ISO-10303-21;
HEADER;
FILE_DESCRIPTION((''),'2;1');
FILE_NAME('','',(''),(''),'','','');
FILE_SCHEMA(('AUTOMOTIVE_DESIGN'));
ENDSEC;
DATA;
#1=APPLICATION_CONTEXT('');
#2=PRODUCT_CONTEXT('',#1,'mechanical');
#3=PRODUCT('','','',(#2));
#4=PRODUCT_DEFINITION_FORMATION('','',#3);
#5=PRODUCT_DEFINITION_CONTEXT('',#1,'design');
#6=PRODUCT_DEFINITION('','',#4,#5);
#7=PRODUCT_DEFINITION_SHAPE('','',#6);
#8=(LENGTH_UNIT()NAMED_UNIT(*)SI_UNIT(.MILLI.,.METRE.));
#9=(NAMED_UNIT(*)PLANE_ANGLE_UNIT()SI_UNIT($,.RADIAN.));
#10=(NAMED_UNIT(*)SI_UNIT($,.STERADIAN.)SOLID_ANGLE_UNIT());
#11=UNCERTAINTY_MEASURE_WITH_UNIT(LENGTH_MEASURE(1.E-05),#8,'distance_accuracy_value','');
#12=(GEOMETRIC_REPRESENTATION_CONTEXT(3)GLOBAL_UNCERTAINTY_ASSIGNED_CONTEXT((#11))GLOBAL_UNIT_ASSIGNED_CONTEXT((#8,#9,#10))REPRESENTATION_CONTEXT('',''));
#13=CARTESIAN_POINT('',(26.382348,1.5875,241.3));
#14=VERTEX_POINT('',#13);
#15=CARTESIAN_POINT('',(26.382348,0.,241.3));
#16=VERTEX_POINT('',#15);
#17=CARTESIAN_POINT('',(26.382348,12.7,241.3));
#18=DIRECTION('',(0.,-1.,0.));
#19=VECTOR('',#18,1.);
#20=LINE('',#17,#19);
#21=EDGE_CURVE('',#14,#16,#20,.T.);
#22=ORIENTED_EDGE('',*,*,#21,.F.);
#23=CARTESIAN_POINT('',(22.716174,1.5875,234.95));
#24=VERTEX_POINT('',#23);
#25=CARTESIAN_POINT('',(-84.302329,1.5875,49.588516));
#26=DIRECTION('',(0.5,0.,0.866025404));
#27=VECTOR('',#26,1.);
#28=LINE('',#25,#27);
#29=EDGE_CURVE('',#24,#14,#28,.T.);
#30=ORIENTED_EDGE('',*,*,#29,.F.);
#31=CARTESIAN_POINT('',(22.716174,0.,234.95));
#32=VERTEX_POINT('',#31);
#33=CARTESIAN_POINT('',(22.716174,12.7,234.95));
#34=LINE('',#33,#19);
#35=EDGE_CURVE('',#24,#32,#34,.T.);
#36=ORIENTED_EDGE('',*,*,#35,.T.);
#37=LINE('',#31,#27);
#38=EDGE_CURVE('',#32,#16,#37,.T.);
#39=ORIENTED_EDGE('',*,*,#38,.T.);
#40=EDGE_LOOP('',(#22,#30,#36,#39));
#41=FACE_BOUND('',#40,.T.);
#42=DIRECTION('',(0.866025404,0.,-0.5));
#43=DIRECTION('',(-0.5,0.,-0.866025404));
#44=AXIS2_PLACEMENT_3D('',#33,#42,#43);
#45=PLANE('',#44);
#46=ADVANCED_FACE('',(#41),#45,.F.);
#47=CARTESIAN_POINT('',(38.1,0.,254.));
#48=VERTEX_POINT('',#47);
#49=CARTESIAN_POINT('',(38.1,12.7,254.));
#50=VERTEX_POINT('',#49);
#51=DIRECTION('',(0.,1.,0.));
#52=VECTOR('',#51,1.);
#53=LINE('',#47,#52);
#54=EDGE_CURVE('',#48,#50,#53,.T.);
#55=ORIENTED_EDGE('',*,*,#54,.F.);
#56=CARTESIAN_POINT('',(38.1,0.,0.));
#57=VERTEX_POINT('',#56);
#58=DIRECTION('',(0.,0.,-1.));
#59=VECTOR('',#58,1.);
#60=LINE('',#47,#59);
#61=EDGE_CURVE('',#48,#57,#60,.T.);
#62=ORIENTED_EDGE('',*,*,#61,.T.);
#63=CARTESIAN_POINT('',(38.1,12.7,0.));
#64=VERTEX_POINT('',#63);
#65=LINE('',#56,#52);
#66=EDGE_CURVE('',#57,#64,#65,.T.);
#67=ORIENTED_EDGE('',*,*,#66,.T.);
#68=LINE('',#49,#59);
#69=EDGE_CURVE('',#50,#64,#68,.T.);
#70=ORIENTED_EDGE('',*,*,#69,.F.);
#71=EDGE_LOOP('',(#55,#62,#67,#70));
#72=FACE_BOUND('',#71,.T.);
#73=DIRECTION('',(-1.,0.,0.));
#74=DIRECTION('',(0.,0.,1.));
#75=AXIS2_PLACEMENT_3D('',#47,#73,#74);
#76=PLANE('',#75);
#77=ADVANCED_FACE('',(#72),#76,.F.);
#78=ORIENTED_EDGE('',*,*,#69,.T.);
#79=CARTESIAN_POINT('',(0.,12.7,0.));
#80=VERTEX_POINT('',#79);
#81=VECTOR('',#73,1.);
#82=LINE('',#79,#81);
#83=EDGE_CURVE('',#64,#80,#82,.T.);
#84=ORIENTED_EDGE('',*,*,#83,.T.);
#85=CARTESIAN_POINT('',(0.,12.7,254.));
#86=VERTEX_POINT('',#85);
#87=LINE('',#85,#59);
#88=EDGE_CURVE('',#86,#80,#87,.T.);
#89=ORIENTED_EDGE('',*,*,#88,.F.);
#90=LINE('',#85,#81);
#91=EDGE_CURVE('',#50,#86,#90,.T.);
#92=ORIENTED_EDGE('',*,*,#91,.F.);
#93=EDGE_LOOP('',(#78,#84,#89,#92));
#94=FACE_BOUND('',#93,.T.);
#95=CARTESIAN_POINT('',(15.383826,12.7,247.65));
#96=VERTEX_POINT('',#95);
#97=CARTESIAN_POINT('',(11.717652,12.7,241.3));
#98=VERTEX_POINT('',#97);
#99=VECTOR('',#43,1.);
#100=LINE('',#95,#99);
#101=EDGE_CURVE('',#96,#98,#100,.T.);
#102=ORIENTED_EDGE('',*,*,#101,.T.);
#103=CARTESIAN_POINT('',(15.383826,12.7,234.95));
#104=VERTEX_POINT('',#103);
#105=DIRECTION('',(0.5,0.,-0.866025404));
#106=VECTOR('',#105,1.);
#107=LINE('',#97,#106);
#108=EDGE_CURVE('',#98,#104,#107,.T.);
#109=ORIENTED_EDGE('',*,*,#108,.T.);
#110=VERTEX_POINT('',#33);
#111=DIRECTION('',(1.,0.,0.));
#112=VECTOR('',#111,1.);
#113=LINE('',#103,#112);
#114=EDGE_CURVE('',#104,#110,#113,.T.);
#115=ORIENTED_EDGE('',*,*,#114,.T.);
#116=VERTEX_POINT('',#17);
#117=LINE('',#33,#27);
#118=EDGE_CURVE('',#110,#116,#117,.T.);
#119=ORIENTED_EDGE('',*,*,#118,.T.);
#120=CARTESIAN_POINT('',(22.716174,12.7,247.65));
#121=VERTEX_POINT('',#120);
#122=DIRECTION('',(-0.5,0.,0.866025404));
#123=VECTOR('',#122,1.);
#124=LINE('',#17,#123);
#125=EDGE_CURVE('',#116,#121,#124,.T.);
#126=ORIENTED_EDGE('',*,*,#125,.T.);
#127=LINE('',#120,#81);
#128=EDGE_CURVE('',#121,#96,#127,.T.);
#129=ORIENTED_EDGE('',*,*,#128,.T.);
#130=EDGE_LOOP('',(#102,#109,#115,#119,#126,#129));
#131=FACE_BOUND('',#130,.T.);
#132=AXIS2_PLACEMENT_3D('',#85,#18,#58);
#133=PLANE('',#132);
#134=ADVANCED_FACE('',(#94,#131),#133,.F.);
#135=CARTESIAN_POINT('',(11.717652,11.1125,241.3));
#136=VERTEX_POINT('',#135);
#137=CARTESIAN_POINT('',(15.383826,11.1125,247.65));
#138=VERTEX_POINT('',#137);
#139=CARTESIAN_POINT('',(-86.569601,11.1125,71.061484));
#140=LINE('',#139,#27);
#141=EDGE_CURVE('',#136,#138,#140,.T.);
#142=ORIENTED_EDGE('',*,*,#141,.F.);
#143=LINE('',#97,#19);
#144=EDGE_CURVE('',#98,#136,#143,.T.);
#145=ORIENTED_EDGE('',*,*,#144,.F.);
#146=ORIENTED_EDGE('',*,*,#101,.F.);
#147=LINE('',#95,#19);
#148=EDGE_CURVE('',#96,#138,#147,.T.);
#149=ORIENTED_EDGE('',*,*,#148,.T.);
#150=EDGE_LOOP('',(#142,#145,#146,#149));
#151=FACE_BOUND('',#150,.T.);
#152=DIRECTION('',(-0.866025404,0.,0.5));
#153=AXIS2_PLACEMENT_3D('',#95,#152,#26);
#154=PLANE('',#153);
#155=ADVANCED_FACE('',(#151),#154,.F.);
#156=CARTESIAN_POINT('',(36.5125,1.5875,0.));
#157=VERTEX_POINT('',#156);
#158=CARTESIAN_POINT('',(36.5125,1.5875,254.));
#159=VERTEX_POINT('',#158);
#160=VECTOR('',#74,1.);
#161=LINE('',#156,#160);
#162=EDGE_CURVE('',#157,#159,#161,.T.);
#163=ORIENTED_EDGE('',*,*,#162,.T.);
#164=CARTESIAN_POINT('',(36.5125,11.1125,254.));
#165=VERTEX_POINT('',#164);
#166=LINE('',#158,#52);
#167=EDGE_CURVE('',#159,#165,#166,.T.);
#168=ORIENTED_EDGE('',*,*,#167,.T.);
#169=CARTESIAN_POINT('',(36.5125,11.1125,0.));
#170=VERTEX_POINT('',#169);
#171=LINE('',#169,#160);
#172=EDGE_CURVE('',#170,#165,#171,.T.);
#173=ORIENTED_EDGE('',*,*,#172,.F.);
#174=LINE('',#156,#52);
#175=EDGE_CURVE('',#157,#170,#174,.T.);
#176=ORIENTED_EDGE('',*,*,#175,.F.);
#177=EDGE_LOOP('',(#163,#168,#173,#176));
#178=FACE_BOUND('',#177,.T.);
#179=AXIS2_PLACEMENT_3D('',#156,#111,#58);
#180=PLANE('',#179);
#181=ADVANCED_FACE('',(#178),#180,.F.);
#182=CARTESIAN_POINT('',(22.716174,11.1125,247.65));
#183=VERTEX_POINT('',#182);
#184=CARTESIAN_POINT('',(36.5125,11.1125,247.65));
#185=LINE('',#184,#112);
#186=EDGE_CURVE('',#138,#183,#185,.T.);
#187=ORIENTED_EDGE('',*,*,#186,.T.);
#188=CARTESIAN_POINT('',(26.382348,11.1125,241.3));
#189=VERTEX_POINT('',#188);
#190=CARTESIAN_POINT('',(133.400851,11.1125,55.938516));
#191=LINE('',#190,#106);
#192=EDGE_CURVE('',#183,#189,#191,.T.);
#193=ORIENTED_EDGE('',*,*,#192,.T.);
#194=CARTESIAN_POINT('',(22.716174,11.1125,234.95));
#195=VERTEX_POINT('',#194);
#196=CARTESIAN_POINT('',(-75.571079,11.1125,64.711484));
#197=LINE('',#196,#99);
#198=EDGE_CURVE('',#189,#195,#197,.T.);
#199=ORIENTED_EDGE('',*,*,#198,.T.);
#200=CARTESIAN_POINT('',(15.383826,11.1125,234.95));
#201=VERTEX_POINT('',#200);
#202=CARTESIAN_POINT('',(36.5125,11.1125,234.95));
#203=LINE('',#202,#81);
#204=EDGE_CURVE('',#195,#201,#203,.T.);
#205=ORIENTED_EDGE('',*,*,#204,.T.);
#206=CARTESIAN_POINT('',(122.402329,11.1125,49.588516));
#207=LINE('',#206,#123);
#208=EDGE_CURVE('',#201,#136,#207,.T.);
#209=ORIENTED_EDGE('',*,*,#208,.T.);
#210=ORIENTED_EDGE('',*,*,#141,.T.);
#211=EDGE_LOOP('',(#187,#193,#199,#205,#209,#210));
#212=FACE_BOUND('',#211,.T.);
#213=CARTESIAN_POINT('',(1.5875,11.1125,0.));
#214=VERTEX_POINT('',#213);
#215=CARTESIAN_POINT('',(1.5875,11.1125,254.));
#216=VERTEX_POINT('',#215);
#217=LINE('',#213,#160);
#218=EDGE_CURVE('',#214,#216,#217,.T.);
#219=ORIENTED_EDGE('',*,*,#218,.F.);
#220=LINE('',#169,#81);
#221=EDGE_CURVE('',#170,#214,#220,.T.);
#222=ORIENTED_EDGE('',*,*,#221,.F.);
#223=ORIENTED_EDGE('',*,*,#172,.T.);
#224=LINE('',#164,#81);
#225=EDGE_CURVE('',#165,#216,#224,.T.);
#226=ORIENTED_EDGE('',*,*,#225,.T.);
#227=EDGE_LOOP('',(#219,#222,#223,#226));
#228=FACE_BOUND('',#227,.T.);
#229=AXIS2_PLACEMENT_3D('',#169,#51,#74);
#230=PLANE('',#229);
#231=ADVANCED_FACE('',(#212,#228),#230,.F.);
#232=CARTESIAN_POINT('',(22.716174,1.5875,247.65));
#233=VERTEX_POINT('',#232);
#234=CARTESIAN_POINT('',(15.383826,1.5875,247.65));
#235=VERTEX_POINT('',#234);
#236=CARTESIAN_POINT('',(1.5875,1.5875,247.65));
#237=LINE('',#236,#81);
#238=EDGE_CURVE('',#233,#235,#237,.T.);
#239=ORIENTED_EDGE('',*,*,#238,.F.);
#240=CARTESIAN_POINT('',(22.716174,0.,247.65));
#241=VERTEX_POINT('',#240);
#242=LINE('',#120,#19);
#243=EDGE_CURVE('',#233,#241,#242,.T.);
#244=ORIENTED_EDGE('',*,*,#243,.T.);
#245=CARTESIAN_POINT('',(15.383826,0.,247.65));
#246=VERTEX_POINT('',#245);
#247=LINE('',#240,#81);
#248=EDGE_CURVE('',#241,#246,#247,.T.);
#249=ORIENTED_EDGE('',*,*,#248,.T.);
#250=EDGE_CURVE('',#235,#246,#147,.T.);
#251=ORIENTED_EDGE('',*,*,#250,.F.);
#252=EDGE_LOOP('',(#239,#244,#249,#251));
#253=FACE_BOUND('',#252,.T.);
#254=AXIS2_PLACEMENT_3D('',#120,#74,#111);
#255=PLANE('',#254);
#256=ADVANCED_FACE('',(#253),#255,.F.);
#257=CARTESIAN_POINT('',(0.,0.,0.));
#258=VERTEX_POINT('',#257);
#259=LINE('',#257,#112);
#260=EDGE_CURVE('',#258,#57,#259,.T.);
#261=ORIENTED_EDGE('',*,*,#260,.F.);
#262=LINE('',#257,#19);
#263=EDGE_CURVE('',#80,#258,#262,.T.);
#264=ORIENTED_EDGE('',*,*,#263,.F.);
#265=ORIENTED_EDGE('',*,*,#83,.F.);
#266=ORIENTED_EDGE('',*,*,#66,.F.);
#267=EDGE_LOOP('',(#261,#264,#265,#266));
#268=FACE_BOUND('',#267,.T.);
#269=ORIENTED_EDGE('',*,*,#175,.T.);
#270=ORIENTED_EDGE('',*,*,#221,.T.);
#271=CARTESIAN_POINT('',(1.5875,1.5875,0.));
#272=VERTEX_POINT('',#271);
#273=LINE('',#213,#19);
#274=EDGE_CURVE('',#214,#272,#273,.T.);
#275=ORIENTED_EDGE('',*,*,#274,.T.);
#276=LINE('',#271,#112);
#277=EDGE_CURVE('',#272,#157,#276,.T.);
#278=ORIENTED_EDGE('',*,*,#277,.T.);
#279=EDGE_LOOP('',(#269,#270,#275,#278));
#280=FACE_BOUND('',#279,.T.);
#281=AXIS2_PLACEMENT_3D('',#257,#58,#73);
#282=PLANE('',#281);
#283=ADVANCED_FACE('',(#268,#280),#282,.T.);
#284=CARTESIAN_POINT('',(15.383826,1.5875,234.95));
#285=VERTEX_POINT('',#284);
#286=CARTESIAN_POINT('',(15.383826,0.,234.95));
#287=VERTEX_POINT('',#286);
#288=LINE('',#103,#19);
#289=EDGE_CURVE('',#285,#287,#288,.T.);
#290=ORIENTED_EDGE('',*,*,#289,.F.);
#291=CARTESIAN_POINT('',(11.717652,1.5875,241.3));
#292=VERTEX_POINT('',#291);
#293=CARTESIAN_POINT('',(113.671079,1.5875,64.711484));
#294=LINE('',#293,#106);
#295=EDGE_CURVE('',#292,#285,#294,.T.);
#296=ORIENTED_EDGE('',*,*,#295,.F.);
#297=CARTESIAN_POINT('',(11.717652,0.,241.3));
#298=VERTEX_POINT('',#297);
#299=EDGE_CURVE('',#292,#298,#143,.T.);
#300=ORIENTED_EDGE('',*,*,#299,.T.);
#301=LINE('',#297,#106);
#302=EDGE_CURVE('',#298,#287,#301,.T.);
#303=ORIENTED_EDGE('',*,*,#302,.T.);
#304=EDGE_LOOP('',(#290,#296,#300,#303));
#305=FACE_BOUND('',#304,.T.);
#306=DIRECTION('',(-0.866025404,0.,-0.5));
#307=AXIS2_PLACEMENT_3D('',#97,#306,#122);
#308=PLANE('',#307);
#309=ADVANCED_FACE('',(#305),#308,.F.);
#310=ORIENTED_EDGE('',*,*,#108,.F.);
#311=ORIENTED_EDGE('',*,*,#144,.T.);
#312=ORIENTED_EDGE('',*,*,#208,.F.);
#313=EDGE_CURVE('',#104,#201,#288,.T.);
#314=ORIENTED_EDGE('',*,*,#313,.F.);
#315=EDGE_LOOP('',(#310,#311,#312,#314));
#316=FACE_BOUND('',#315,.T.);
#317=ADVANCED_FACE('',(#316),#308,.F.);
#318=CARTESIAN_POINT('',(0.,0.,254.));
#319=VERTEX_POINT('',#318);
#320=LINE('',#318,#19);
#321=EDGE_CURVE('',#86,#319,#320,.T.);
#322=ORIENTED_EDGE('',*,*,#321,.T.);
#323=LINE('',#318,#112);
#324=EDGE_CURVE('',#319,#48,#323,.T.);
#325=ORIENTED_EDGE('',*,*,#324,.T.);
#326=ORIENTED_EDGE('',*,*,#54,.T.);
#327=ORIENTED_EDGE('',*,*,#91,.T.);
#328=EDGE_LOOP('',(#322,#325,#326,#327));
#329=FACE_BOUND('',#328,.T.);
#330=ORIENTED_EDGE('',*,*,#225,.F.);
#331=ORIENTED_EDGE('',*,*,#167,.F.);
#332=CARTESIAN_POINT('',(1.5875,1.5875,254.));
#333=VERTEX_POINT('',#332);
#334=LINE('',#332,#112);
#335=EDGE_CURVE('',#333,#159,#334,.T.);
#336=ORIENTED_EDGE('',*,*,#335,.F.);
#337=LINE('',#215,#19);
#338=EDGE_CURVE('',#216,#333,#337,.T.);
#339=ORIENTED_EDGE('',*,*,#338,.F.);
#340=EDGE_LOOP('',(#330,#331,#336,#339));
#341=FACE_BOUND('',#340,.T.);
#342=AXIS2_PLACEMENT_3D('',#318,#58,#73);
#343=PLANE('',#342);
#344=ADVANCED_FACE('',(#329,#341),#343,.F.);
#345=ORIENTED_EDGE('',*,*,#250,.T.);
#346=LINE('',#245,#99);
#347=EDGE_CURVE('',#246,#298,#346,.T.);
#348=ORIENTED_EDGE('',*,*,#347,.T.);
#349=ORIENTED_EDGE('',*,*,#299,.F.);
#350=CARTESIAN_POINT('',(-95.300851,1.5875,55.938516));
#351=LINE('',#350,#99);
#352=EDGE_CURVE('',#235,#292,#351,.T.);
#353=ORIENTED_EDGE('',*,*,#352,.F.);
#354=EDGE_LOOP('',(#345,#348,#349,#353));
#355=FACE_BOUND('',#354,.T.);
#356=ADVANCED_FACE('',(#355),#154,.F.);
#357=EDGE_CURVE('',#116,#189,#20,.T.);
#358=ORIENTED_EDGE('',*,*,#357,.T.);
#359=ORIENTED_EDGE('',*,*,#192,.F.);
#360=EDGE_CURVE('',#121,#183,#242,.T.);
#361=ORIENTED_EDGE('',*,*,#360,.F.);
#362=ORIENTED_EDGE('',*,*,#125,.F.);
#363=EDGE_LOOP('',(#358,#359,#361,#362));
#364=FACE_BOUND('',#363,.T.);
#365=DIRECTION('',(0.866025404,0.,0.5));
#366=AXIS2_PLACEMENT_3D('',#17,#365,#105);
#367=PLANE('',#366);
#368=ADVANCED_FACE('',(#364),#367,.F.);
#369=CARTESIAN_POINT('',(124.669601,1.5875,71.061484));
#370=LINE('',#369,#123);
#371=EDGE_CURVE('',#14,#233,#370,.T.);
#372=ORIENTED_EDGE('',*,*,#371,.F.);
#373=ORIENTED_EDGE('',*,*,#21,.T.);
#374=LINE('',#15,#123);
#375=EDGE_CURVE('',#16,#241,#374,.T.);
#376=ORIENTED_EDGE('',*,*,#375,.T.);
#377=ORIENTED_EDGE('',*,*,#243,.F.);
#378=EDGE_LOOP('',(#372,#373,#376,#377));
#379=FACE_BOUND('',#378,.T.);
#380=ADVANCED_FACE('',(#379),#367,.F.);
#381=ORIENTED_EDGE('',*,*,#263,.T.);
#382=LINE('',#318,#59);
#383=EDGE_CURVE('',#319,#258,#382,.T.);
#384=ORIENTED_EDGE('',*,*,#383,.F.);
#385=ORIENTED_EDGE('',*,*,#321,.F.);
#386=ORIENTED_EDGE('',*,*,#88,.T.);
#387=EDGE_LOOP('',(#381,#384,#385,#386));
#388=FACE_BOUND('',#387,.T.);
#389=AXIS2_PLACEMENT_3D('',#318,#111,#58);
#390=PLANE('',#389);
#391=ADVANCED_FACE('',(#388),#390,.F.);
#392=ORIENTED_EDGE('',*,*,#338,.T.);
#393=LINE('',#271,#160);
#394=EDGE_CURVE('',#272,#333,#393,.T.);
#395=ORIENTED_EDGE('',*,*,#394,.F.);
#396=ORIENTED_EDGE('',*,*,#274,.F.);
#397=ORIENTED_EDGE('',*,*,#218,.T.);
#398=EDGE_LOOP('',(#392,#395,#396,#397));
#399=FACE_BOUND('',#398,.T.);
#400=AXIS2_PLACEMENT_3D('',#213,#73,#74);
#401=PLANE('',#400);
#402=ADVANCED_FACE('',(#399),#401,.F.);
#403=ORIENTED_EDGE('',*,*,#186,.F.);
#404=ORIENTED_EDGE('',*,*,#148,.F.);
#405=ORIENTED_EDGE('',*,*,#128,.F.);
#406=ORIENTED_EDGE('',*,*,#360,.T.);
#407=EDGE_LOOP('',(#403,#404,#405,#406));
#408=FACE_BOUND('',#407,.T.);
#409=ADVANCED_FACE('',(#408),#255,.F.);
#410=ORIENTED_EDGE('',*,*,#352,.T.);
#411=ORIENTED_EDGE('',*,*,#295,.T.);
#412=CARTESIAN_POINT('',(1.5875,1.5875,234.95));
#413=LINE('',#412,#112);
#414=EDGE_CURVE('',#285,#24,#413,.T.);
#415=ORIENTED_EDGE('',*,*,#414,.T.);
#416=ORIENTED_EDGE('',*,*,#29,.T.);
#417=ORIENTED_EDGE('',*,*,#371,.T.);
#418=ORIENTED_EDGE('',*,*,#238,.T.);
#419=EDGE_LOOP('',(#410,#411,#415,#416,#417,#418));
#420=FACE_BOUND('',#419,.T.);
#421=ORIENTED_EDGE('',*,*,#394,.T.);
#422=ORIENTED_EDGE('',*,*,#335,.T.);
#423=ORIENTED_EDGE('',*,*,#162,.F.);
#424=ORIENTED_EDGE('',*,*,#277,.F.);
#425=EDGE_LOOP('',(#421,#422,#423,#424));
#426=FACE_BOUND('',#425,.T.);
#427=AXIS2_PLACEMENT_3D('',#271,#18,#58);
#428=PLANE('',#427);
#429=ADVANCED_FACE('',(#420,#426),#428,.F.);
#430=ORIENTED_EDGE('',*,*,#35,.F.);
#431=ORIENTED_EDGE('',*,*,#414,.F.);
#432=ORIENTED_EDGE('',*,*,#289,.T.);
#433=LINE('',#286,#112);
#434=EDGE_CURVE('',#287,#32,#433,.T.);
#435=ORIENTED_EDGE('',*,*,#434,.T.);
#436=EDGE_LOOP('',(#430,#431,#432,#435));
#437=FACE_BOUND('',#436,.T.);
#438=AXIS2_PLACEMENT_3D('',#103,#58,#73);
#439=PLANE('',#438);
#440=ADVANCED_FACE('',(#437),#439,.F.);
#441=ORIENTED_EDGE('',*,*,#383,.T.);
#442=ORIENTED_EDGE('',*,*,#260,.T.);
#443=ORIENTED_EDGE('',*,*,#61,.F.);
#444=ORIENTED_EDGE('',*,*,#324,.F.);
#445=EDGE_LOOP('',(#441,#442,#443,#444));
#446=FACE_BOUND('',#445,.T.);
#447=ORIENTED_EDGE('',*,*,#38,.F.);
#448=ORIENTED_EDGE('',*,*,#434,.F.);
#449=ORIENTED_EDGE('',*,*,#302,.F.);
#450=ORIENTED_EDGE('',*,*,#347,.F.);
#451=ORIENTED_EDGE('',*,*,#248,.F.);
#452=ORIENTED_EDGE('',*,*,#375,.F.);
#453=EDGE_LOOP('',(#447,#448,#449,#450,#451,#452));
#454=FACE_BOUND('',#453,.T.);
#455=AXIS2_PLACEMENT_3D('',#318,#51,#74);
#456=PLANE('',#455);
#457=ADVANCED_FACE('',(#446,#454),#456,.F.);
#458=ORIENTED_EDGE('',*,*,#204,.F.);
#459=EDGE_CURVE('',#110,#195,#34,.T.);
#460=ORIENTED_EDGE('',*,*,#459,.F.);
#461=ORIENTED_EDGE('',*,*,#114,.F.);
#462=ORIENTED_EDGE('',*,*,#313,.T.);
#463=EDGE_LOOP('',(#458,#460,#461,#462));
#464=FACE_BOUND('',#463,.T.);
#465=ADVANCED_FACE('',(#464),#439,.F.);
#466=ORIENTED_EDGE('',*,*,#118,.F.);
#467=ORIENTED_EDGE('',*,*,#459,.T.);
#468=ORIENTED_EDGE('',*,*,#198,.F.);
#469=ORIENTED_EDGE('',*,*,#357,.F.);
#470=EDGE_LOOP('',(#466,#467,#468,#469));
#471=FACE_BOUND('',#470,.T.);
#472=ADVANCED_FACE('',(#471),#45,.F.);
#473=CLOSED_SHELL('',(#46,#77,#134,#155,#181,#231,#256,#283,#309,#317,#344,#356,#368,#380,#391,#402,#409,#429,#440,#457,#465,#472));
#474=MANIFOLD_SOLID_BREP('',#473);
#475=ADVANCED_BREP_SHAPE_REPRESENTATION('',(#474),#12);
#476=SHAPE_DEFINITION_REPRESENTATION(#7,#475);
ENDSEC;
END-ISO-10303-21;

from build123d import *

# Parameters (mm, degrees)
SKETCH1_W           = 38.1
SKETCH1_H           = 12.7
BOSS_EXTRUDE1_DEPTH = 254
SKETCH2_W           = 34.925
SKETCH2_H           = 9.525
CUT_EXTRUDE1_DEPTH  = 258.155400488
CUT_EXTRUDE2_DEPTH  = 258.155400488


with BuildPart() as part:
    # Sketch1 → Boss-Extrude1 (new body)
    with BuildSketch(Plane.XY):
        with Locations((19.05, 6.35)):
            Rectangle(SKETCH1_W, SKETCH1_H)
    extrude(amount=BOSS_EXTRUDE1_DEPTH)

    # Sketch2 → Cut-Extrude1 (cut, through all)
    with BuildSketch(Plane.XY.offset(254)):
        with Locations((19.05, 6.35)):
            Rectangle(SKETCH2_W, SKETCH2_H)
    extrude(amount=-CUT_EXTRUDE1_DEPTH, mode=Mode.SUBTRACT)

    # Sketch3 → Cut-Extrude2 (cut, through all)
    with BuildSketch(Plane.XZ):
        Polygon((26.382348419, 241.3), (22.716174209, 247.65), (15.383825791, 247.65), (11.717651581, 241.3), (15.383825791, 234.95), (22.716174209, 234.95), align=None)
    extrude(amount=-CUT_EXTRUDE2_DEPTH, mode=Mode.SUBTRACT)


solid = part.part
